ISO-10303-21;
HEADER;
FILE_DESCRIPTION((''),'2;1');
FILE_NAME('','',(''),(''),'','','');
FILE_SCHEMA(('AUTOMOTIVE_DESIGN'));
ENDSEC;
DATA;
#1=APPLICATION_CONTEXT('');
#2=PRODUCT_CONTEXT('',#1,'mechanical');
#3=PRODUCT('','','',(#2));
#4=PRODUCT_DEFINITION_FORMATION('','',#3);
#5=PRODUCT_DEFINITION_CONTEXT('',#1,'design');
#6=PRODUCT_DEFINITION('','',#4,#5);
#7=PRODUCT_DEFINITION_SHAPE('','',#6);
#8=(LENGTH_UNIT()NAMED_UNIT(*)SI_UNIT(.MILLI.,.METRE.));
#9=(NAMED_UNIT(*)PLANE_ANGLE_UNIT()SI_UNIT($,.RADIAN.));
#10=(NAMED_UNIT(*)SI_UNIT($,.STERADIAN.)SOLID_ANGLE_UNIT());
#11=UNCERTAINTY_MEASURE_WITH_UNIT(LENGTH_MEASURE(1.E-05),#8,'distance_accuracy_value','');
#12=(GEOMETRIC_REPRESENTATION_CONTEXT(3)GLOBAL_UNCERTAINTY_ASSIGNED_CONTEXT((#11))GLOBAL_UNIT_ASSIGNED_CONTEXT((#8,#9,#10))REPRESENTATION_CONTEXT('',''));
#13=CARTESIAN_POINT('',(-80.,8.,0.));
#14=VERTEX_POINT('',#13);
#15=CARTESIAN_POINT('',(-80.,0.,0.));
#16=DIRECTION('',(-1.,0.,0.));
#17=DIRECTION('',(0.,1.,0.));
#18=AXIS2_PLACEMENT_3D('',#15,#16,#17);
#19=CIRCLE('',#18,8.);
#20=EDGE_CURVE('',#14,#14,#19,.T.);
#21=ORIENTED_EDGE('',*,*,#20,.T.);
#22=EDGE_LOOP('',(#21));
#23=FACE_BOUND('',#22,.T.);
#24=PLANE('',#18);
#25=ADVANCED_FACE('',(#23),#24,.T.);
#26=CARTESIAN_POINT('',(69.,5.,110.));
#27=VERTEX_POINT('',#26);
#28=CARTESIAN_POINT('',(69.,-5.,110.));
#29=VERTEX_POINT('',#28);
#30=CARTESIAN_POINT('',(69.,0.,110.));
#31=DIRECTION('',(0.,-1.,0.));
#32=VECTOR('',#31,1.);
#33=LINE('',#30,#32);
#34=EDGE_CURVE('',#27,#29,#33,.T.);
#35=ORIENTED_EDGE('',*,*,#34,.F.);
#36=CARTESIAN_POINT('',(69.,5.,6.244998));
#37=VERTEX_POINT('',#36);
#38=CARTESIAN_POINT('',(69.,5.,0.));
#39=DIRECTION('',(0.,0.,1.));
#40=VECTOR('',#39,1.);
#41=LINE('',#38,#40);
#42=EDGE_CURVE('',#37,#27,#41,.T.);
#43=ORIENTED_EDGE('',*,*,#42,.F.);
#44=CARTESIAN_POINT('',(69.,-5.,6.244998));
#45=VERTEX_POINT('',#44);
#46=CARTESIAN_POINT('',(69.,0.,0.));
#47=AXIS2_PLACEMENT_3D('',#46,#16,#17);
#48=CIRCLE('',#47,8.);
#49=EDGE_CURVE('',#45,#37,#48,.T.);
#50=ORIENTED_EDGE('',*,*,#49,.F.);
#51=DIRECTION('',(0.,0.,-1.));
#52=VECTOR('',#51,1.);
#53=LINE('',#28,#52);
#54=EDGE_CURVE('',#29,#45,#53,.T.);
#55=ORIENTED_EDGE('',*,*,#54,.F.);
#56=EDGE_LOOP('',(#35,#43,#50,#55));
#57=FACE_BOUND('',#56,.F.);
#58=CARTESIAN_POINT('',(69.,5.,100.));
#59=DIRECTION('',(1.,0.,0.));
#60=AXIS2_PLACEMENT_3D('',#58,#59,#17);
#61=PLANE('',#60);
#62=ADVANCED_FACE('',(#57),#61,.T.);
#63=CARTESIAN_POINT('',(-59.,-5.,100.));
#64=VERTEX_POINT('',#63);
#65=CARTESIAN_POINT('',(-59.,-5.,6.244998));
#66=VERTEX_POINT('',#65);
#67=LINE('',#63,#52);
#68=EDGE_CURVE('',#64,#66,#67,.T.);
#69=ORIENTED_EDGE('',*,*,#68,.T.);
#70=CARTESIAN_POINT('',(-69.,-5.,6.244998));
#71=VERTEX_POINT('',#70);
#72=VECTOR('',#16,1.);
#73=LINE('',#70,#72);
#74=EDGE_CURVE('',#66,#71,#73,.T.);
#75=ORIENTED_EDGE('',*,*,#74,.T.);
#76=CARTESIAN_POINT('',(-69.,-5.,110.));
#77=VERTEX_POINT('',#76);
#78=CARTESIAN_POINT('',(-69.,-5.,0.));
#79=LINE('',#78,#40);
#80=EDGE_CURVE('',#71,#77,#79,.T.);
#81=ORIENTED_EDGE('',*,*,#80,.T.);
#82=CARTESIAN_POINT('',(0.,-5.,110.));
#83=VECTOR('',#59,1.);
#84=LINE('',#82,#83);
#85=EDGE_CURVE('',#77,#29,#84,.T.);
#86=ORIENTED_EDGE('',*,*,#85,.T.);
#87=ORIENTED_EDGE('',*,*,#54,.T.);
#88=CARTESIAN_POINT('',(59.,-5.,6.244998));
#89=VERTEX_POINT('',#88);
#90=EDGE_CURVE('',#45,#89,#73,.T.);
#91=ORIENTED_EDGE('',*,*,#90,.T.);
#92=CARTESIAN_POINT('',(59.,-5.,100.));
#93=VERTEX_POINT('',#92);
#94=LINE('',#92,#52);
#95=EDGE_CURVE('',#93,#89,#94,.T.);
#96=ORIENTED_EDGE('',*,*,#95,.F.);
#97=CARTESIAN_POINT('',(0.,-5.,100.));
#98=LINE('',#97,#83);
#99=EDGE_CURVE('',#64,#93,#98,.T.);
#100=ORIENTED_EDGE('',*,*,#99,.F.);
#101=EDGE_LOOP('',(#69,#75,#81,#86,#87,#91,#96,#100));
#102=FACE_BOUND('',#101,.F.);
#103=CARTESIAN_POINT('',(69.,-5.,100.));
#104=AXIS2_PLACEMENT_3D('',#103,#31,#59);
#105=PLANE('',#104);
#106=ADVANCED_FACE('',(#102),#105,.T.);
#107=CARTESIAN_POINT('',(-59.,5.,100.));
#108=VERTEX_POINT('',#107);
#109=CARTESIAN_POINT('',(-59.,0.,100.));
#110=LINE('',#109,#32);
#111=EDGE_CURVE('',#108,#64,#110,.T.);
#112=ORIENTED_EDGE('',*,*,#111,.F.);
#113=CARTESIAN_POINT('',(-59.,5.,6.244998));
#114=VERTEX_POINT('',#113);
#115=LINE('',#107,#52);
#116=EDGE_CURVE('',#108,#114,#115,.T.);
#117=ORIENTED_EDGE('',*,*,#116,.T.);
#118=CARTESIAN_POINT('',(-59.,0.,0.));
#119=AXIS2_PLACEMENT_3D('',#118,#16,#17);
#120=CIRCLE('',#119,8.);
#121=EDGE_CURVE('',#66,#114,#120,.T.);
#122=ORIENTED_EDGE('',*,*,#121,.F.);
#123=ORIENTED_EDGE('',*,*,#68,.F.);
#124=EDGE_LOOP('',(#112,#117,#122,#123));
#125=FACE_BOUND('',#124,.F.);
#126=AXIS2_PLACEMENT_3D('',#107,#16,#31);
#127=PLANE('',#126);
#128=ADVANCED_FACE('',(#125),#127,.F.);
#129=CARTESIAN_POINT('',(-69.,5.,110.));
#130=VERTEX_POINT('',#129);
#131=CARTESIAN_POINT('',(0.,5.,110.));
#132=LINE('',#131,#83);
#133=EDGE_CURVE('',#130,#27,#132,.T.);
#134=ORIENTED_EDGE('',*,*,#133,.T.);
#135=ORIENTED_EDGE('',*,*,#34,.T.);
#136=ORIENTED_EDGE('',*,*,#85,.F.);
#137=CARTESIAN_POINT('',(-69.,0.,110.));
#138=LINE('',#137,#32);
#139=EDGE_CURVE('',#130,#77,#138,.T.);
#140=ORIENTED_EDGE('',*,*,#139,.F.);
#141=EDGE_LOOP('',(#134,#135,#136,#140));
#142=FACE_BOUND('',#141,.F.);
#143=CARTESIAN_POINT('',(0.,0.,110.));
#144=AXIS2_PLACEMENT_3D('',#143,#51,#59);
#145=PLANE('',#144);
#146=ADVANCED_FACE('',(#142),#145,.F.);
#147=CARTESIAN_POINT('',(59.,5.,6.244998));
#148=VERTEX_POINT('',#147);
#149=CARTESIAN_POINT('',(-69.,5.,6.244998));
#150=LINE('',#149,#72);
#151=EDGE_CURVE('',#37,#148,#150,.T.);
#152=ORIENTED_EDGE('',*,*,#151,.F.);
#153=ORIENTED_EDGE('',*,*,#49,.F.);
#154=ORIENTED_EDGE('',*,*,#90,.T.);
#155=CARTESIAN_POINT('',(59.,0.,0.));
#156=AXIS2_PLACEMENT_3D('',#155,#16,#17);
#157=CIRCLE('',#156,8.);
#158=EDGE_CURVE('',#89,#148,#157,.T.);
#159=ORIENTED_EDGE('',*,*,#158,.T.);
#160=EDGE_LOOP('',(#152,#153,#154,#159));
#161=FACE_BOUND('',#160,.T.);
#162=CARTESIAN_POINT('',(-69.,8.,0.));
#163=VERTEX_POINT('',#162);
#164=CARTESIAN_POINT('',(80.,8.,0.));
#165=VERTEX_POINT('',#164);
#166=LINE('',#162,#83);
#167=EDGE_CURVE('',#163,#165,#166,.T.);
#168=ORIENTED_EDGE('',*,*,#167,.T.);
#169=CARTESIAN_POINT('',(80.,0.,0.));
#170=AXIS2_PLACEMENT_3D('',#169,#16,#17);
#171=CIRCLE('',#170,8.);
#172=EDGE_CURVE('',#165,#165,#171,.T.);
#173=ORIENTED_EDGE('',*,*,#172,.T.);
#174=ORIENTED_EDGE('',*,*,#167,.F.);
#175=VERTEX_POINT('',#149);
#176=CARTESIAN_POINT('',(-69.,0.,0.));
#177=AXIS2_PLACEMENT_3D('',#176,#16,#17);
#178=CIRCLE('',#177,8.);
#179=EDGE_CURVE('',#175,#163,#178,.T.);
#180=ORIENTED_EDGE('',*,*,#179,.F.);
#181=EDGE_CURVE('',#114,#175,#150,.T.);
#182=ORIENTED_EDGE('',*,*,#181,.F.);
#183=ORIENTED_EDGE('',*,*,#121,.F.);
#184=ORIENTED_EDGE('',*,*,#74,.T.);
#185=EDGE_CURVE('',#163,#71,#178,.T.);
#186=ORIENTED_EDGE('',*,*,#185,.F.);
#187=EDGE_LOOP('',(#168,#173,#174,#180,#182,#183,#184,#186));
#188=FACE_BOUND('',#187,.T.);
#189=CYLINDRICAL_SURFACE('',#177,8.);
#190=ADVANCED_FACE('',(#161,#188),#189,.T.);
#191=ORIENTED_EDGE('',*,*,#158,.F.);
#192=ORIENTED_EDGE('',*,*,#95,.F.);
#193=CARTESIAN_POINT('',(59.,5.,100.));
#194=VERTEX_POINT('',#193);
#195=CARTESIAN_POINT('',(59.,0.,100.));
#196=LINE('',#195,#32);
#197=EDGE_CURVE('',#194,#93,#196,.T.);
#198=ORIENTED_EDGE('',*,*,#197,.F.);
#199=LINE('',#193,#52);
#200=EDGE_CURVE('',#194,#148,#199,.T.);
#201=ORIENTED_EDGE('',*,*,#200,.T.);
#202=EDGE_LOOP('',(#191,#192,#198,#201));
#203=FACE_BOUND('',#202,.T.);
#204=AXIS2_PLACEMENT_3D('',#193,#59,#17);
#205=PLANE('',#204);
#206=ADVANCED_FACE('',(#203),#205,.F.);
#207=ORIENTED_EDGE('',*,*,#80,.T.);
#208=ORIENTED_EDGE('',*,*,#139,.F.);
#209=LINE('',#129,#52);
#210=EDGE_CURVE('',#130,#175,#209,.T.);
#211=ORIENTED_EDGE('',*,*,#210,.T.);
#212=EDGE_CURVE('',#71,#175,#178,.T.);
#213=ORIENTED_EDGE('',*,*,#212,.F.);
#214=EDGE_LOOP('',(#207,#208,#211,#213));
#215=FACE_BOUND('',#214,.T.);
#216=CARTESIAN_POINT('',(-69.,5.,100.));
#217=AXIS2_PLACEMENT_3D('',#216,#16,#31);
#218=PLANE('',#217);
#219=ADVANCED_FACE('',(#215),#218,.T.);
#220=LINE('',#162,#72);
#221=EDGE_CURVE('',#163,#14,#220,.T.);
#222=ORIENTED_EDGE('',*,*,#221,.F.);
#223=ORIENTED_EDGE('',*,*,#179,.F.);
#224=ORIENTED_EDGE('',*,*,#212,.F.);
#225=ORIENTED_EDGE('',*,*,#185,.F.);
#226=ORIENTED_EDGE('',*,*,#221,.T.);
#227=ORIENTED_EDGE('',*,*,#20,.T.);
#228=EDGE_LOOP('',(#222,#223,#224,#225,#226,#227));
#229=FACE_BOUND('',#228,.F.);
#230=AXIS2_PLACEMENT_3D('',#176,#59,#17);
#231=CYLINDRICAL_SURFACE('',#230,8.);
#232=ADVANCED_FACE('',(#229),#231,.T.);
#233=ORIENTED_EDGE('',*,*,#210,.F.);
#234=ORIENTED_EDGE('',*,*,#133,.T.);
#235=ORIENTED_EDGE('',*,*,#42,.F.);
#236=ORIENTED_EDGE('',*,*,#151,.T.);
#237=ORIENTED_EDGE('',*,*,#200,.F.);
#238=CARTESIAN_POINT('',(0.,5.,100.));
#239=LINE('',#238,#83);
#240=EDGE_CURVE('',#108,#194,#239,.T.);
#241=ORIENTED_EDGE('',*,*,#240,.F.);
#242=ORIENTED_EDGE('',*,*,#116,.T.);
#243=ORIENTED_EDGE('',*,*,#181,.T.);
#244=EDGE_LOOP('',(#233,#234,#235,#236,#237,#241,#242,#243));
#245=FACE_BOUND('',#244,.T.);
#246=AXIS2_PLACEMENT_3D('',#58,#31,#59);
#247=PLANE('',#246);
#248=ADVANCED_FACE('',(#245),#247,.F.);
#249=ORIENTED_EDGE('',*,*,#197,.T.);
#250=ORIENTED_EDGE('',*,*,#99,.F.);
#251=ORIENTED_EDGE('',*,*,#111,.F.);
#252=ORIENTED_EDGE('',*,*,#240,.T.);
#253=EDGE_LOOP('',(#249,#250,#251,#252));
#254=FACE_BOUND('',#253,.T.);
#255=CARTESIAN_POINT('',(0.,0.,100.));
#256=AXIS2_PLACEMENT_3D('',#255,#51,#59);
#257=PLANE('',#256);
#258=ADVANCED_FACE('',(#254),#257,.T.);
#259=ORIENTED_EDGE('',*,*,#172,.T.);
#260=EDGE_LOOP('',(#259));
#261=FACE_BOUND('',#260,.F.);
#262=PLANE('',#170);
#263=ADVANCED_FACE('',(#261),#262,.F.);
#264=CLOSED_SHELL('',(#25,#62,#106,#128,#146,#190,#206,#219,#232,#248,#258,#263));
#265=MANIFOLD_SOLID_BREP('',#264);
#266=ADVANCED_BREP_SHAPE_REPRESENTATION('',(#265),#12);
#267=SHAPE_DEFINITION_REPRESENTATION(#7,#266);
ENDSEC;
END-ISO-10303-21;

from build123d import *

# Parameters (mm, degrees)
SKETCH_W          = 138
SKETCH_H          = 10
PAD_DEPTH         = 10
SKETCH001_W       = 10
SKETCH001_H       = 10
PAD001_DEPTH      = 100
SKETCH002_R       = 8
PAD002_DEPTH      = 11
PAD002_DEPTH_BACK = 149


with BuildPart() as part:
    # Sketch → Pad (new body)
    with BuildSketch(Plane(origin=(0, 0, 110), x_dir=(1, 0, 0), z_dir=(0, 0, -1))):
        Rectangle(SKETCH_W, SKETCH_H)
    extrude(amount=PAD_DEPTH)

    # Sketch001 → Pad001 (new body)
    with BuildSketch(Plane(origin=(0, 0, 100), x_dir=(1, 0, 0), z_dir=(0, 0, -1))):
        with Locations((-64, 0)):
            Rectangle(SKETCH001_W, SKETCH001_H)
    pad001 = extrude(amount=PAD001_DEPTH)

    # Mirrored: Pad001 across Sketch001 V_Axis
    add(pad001.mirror(Plane(origin=(0, 0, 100), x_dir=(0, 0, -1), z_dir=(1, 0, 0))))

    # Sketch002 → Pad002 (new body, two sides)
    with BuildSketch(Plane(origin=(-69, 0, 110), x_dir=(0, 1, 0), z_dir=(-1, 0, 0))) as pad002_sk:
        with Locations((0, 110)):
            Circle(SKETCH002_R)
    extrude(amount=PAD002_DEPTH)
    extrude(pad002_sk.sketch, amount=-PAD002_DEPTH_BACK)


solid = part.part
